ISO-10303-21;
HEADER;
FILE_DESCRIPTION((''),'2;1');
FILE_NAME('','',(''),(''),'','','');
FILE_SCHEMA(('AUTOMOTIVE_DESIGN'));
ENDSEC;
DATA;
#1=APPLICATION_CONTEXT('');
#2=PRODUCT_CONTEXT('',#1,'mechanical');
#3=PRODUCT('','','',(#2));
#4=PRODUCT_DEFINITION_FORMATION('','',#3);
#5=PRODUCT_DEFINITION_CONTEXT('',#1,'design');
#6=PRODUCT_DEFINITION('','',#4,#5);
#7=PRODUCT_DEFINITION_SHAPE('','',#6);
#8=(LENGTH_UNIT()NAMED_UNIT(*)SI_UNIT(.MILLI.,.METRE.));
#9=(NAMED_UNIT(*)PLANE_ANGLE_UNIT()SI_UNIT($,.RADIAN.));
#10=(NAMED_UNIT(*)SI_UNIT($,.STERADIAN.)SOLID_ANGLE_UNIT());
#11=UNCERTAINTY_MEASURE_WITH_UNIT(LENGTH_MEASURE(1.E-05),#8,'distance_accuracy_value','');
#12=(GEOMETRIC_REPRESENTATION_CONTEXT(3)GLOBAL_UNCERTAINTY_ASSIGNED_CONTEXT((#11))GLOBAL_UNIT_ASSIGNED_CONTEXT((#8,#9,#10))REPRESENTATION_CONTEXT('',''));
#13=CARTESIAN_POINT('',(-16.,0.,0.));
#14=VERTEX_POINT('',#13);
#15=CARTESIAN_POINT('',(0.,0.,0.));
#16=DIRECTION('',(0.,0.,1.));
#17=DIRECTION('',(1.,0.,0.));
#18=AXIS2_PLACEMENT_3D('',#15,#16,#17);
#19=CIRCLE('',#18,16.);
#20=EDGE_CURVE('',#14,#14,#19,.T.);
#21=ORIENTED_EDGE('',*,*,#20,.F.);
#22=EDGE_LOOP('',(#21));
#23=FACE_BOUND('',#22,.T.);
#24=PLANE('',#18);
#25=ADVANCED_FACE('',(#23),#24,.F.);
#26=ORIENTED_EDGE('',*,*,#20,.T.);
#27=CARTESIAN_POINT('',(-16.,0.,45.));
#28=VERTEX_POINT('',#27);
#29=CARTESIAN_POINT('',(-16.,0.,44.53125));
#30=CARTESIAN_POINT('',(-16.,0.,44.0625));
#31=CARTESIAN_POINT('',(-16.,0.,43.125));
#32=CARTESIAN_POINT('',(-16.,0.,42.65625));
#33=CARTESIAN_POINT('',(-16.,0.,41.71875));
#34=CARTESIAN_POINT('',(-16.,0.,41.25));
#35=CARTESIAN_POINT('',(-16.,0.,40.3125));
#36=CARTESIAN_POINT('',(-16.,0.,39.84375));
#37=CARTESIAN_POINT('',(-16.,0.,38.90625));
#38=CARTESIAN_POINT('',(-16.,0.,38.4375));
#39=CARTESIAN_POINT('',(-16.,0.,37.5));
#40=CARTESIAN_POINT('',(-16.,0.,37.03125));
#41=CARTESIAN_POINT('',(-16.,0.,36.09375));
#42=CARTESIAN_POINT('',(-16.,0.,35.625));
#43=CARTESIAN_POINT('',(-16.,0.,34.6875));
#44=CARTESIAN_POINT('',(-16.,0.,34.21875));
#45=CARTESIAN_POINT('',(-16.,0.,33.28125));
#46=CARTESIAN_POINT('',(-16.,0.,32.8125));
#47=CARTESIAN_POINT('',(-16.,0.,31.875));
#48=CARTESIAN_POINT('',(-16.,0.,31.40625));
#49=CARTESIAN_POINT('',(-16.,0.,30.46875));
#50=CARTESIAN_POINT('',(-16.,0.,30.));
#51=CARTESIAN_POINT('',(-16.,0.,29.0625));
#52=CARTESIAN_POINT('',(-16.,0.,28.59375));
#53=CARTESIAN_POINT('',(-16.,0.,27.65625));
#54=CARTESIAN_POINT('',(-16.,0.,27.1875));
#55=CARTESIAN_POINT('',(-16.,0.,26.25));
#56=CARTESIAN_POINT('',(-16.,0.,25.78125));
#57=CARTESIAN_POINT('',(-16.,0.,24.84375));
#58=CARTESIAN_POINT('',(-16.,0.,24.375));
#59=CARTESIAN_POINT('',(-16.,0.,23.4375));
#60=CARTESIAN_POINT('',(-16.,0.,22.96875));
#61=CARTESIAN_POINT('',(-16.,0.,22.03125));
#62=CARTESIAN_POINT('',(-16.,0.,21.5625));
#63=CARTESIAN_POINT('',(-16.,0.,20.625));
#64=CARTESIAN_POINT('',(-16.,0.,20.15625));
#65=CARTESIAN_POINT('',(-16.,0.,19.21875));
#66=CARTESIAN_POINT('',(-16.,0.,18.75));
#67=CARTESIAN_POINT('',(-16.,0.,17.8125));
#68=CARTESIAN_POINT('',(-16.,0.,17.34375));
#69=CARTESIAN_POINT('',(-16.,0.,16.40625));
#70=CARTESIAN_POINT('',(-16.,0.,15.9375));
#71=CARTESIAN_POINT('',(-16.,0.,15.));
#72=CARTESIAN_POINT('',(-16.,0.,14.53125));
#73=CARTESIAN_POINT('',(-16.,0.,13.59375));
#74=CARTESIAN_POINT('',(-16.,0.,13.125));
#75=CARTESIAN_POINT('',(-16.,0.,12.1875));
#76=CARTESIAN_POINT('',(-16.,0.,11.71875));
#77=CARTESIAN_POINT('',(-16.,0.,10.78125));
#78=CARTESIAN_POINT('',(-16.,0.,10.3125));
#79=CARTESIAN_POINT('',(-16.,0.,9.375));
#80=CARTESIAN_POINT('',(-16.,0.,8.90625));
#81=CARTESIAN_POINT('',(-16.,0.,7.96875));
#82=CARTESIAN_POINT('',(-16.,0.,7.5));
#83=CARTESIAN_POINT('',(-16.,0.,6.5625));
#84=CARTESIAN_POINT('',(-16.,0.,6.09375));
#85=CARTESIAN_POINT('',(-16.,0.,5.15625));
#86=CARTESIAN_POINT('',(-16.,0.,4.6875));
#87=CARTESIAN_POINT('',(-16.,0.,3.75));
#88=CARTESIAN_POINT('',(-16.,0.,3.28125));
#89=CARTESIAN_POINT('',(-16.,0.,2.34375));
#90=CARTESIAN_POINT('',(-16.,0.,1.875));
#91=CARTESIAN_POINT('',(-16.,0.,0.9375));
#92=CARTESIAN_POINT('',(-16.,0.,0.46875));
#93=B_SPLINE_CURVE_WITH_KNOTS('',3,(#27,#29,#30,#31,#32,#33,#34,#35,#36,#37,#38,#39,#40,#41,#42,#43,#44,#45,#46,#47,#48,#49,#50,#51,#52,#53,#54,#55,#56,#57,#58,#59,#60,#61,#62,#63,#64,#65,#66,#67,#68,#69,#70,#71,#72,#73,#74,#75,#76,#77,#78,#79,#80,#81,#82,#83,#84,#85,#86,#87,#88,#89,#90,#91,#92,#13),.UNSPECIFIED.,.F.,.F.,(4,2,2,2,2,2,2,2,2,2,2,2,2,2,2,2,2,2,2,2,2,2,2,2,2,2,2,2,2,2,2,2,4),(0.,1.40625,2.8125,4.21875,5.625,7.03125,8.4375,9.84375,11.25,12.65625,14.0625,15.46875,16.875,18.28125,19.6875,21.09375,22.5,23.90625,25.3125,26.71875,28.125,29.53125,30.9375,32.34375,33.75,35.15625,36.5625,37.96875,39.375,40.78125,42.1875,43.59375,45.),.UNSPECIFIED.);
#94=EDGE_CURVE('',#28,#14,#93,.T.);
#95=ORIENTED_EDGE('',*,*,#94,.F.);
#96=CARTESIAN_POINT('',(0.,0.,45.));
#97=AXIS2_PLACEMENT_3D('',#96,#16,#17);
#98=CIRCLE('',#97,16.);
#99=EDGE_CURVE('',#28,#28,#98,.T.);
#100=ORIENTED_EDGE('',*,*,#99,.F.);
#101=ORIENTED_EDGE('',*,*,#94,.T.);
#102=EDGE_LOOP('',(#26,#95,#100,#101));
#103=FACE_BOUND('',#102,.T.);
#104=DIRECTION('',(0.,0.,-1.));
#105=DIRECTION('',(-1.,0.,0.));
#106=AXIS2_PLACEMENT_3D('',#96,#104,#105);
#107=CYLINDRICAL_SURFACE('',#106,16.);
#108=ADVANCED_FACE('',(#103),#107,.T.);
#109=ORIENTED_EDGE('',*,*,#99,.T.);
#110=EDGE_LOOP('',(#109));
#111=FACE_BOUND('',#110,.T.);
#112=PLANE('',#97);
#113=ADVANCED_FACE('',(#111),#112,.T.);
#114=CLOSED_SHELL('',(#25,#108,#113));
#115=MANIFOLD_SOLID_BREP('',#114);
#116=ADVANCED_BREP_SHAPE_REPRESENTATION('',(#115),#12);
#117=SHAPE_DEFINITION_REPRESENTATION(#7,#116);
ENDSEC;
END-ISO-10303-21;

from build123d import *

# Parameters (mm, degrees)
SKETCH_1_R      = 16
EXTRUDE_1_DEPTH = 45


with BuildPart() as part:
    # 草图1 → 凸台-拉伸1 (new body)
    with BuildSketch(Plane.XY):
        with Locations(Location((0, 0, 0), (0, 0, 180))):
            Circle(SKETCH_1_R)
    extrude(amount=EXTRUDE_1_DEPTH)


solid = part.part
